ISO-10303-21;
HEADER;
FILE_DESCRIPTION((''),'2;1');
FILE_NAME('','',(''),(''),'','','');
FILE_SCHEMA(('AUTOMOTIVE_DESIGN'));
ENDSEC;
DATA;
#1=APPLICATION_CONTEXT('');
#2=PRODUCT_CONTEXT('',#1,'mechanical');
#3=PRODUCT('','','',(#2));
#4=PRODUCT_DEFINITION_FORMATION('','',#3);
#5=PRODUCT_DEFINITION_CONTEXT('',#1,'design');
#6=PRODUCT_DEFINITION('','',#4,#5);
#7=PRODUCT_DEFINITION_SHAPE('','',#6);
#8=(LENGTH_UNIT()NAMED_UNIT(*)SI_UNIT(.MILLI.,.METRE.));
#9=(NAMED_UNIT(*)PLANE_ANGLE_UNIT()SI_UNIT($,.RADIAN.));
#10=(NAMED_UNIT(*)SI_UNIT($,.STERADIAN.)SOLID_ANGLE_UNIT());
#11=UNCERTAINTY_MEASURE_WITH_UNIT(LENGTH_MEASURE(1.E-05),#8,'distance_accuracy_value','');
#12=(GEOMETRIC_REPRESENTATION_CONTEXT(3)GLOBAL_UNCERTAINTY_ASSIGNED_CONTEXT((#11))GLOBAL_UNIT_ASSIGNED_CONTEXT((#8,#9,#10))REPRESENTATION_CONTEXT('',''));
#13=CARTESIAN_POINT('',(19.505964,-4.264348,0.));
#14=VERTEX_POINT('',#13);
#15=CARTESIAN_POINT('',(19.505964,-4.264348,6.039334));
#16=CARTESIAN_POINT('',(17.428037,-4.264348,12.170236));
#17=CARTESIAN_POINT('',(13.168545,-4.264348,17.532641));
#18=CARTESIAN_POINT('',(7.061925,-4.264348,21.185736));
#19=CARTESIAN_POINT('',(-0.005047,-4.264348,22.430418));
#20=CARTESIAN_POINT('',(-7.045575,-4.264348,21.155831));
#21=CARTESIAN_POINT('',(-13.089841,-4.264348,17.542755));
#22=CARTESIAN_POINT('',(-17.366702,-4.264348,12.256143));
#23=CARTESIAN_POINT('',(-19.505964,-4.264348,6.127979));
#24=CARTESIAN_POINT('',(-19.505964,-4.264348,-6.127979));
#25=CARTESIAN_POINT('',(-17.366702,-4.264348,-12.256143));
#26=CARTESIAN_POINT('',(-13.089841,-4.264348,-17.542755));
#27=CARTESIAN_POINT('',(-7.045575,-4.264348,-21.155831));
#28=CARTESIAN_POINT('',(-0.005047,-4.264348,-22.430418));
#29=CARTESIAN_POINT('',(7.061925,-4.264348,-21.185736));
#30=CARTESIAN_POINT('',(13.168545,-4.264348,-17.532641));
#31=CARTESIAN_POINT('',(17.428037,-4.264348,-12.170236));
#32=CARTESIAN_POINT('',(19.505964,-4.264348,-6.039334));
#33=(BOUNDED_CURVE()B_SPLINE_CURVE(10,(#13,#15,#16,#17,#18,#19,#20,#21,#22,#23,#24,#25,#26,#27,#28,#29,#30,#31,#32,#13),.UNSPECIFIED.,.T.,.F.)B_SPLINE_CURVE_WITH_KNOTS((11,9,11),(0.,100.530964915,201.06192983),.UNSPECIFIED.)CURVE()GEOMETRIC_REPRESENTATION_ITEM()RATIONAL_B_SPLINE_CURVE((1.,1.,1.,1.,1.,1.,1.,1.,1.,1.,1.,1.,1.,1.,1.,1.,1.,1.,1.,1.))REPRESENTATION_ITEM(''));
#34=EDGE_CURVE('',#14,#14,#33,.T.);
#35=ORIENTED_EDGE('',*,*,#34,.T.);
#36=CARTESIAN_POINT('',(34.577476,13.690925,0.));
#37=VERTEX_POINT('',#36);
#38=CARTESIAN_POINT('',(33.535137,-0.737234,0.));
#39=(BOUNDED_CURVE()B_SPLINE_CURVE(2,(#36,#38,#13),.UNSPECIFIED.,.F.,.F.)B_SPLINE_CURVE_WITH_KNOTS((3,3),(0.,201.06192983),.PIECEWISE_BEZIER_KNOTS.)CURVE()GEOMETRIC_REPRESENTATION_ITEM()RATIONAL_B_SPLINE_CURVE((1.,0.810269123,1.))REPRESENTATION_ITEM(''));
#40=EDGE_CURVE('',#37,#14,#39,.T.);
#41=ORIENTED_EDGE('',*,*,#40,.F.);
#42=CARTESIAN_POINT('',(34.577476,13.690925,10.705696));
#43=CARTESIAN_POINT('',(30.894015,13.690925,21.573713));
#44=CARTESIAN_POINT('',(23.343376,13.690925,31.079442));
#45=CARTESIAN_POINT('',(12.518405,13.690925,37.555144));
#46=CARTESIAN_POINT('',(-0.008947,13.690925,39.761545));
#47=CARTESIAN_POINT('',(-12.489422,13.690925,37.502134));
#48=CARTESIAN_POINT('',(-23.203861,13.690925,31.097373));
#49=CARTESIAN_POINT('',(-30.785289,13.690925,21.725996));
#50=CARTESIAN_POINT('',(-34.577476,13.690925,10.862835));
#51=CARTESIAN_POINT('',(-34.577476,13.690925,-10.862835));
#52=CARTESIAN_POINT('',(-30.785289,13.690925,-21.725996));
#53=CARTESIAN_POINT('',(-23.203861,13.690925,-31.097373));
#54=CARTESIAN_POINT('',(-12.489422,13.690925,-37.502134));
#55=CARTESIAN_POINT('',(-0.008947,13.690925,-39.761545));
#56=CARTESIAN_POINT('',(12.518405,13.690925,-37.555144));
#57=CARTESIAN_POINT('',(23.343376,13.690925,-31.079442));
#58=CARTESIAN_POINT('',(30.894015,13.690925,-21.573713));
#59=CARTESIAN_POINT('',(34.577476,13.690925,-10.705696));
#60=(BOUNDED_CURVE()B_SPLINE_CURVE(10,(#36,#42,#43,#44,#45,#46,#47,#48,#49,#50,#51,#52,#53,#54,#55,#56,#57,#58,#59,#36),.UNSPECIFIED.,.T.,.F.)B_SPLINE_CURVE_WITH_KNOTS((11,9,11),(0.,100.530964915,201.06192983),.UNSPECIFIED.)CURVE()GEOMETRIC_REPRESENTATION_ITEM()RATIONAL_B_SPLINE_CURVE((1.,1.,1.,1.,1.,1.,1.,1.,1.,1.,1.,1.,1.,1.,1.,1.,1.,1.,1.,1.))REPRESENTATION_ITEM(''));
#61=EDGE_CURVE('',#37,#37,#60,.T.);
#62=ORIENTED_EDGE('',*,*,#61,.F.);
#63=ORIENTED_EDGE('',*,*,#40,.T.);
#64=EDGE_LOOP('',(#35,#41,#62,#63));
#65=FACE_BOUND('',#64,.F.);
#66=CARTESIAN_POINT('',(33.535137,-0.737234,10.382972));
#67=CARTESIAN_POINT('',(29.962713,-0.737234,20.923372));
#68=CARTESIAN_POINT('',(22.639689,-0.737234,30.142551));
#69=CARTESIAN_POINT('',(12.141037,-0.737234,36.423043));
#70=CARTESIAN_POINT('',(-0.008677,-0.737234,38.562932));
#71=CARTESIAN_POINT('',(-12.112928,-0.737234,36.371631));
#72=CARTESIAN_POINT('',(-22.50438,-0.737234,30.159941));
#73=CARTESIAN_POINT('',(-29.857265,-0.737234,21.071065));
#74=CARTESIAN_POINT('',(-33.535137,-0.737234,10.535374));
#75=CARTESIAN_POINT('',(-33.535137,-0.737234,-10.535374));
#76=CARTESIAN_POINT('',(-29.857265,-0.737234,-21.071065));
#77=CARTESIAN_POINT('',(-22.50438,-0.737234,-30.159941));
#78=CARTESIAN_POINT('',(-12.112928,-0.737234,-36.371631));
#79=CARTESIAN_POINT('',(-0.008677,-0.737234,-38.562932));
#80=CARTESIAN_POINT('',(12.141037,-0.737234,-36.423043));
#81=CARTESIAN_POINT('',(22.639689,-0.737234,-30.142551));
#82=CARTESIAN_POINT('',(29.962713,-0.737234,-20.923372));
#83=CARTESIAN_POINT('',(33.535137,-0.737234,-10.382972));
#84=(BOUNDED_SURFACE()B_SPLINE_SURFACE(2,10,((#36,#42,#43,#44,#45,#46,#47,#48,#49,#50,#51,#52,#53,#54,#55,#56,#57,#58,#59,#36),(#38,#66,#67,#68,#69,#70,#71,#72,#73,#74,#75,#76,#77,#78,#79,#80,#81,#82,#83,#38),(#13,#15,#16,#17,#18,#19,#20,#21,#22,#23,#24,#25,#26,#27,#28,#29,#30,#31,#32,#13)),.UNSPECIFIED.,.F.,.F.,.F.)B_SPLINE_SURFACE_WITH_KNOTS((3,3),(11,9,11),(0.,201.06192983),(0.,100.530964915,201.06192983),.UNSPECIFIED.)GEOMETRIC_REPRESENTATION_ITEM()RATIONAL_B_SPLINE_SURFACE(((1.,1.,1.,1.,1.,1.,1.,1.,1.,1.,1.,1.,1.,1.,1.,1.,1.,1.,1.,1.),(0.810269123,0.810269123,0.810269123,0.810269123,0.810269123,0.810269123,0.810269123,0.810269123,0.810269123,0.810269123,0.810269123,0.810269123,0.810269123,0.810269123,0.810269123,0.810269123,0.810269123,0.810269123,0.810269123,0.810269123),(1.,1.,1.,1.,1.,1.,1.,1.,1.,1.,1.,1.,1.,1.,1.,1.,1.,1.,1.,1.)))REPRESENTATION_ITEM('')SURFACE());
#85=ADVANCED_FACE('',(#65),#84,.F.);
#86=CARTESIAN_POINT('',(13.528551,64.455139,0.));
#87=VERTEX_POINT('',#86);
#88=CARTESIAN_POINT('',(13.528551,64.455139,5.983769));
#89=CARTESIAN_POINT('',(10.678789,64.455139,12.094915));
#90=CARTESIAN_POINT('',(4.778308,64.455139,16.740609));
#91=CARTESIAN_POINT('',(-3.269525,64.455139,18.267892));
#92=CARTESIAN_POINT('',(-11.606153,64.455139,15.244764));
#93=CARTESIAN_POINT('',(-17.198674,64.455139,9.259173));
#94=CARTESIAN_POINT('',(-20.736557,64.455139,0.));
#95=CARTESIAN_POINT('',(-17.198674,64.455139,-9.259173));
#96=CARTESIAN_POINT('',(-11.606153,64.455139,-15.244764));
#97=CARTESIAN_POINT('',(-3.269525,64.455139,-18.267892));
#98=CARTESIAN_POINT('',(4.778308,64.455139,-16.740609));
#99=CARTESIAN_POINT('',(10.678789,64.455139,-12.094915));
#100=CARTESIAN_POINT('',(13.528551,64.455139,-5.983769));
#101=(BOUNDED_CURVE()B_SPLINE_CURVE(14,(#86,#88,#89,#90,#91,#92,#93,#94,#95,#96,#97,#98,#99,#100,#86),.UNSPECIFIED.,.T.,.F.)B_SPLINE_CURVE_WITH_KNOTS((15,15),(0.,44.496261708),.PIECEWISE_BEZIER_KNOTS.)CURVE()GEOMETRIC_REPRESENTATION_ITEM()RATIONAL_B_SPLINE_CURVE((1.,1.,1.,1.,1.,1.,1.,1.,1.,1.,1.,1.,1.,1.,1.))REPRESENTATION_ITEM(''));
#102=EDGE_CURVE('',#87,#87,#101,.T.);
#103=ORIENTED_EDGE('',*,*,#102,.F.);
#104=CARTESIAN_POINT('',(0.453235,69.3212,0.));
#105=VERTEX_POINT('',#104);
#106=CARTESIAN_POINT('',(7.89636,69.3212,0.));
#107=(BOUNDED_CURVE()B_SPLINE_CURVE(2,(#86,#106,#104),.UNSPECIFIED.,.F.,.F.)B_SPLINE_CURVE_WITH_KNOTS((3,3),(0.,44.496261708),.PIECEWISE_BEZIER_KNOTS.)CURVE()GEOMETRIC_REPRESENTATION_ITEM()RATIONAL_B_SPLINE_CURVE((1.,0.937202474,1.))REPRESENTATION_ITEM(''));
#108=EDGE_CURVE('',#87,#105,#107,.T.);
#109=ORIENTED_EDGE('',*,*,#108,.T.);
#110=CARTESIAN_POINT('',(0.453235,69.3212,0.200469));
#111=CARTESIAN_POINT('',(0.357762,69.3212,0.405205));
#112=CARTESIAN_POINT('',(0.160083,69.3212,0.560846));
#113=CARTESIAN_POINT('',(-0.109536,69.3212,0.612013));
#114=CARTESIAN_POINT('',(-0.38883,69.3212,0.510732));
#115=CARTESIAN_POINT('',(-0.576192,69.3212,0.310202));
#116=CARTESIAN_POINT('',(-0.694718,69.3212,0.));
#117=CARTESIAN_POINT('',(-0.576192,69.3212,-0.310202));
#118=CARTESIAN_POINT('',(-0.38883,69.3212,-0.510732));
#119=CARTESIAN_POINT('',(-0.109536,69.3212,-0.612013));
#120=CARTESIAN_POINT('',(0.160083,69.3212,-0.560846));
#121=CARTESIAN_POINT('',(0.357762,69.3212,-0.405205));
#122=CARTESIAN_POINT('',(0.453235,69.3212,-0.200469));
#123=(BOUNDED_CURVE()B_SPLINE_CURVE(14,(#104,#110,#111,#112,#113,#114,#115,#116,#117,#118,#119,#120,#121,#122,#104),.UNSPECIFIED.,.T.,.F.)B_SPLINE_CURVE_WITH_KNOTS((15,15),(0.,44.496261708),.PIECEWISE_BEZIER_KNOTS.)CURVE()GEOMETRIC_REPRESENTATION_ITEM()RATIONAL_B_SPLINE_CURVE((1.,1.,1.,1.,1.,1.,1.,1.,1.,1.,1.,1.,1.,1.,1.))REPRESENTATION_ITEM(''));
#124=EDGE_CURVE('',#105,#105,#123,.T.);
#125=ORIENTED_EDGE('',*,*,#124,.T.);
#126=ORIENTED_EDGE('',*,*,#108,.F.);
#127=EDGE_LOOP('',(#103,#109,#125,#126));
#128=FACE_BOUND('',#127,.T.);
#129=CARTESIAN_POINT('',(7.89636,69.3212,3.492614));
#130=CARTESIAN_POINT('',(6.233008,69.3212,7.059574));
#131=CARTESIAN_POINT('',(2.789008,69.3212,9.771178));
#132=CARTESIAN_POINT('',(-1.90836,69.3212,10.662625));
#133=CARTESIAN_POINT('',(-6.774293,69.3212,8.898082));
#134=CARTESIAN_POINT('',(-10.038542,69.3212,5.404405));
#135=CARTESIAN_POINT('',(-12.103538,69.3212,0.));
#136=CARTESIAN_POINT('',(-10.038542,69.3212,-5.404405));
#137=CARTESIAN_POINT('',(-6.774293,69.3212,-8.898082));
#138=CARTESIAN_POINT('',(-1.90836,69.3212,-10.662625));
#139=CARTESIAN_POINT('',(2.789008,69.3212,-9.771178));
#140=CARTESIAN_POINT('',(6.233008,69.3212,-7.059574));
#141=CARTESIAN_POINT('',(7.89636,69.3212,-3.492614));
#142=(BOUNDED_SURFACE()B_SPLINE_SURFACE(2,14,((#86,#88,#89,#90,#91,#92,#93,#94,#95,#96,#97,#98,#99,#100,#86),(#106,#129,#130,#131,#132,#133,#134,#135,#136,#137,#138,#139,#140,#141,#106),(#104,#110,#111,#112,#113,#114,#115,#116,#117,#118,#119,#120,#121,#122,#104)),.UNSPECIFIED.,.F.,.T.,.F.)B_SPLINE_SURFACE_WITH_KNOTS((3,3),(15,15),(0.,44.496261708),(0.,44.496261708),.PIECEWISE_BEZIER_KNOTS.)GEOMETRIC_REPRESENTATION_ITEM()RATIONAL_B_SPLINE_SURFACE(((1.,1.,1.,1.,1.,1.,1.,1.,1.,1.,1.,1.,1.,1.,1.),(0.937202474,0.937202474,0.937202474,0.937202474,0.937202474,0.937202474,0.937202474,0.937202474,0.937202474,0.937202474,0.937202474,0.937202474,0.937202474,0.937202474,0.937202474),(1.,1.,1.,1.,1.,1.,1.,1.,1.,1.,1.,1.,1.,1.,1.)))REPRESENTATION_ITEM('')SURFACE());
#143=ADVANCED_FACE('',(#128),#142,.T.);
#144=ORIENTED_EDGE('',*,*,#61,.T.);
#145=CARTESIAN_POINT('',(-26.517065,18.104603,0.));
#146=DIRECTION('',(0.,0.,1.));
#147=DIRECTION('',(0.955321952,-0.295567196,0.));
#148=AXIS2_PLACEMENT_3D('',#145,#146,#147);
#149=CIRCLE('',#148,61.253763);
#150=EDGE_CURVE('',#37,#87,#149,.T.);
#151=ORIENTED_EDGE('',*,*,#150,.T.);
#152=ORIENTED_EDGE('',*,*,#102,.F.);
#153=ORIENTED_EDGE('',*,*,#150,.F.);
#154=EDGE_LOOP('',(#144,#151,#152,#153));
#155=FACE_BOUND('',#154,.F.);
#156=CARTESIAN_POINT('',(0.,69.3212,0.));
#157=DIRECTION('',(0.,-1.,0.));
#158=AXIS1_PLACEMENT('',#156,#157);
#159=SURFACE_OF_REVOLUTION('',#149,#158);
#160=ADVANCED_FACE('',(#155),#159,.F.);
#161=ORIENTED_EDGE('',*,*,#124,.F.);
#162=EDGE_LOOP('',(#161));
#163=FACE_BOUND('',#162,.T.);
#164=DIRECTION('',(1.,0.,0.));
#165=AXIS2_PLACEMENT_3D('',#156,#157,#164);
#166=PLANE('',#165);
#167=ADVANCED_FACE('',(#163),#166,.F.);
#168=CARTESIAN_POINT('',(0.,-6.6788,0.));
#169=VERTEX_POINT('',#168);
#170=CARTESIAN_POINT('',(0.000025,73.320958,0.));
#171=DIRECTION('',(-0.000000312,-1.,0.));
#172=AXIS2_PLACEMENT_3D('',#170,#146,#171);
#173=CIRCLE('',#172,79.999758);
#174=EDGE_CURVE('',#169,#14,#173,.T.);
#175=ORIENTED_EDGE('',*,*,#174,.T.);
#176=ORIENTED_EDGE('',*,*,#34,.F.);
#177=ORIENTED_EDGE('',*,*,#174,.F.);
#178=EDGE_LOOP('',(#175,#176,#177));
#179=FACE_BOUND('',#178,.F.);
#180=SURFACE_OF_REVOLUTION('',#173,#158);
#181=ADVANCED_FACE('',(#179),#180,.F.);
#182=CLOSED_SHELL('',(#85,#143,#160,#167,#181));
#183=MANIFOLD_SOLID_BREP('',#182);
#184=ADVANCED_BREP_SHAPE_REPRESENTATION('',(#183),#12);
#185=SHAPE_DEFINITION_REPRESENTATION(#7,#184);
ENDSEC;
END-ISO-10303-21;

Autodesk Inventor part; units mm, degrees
ref_plane "YZ Plane" through (0, 0, 0) normal (1, 0, 0) x (0, 1, 0)
ref_plane "XZ Plane" through (0, 0, 0) normal (0, 1, 0) x (-1, 0, 0)
ref_plane "XY Plane" through (0, 0, 0) normal (0, 0, 1) x (1, 0, 0)
sketch "Sketch1" plane through (0, 0, 0) normal (0, 0, 1) x (1, 0, 0)
  line L0 (0, 0) -> (32, 0)
  line L1 (0, 0) -> (-32, 0)
  arc A0 (0, -6.6788) -> (32, 0) centre (0, 73.3212) ccw
  arc A1 (32, 0) -> (7.0818, 69.3212) centre (-26.5172, 18.1046) ccw
  line L2 (0, 69.3212) -> (0, -6.6788)
  line L3 (0, 69.3212) -> (7.0818, 69.3212)
  dimension "d0" = 32
  dimension "d1" = 32
  dimension "d2" = 80
  dimension "d3" = 4
revolve "Revolution1" add sketch "Sketch1" angle 360 about axis through (0, 69.3212, 0) along (0, -1, 0)
fillet "Fillet1" radius 20 1 edges at (-32, 0, 0)
fillet "Fillet2" radius 20 1 edges at (-7.0818, 69.3212, 0)
properties part number "shell_front"
